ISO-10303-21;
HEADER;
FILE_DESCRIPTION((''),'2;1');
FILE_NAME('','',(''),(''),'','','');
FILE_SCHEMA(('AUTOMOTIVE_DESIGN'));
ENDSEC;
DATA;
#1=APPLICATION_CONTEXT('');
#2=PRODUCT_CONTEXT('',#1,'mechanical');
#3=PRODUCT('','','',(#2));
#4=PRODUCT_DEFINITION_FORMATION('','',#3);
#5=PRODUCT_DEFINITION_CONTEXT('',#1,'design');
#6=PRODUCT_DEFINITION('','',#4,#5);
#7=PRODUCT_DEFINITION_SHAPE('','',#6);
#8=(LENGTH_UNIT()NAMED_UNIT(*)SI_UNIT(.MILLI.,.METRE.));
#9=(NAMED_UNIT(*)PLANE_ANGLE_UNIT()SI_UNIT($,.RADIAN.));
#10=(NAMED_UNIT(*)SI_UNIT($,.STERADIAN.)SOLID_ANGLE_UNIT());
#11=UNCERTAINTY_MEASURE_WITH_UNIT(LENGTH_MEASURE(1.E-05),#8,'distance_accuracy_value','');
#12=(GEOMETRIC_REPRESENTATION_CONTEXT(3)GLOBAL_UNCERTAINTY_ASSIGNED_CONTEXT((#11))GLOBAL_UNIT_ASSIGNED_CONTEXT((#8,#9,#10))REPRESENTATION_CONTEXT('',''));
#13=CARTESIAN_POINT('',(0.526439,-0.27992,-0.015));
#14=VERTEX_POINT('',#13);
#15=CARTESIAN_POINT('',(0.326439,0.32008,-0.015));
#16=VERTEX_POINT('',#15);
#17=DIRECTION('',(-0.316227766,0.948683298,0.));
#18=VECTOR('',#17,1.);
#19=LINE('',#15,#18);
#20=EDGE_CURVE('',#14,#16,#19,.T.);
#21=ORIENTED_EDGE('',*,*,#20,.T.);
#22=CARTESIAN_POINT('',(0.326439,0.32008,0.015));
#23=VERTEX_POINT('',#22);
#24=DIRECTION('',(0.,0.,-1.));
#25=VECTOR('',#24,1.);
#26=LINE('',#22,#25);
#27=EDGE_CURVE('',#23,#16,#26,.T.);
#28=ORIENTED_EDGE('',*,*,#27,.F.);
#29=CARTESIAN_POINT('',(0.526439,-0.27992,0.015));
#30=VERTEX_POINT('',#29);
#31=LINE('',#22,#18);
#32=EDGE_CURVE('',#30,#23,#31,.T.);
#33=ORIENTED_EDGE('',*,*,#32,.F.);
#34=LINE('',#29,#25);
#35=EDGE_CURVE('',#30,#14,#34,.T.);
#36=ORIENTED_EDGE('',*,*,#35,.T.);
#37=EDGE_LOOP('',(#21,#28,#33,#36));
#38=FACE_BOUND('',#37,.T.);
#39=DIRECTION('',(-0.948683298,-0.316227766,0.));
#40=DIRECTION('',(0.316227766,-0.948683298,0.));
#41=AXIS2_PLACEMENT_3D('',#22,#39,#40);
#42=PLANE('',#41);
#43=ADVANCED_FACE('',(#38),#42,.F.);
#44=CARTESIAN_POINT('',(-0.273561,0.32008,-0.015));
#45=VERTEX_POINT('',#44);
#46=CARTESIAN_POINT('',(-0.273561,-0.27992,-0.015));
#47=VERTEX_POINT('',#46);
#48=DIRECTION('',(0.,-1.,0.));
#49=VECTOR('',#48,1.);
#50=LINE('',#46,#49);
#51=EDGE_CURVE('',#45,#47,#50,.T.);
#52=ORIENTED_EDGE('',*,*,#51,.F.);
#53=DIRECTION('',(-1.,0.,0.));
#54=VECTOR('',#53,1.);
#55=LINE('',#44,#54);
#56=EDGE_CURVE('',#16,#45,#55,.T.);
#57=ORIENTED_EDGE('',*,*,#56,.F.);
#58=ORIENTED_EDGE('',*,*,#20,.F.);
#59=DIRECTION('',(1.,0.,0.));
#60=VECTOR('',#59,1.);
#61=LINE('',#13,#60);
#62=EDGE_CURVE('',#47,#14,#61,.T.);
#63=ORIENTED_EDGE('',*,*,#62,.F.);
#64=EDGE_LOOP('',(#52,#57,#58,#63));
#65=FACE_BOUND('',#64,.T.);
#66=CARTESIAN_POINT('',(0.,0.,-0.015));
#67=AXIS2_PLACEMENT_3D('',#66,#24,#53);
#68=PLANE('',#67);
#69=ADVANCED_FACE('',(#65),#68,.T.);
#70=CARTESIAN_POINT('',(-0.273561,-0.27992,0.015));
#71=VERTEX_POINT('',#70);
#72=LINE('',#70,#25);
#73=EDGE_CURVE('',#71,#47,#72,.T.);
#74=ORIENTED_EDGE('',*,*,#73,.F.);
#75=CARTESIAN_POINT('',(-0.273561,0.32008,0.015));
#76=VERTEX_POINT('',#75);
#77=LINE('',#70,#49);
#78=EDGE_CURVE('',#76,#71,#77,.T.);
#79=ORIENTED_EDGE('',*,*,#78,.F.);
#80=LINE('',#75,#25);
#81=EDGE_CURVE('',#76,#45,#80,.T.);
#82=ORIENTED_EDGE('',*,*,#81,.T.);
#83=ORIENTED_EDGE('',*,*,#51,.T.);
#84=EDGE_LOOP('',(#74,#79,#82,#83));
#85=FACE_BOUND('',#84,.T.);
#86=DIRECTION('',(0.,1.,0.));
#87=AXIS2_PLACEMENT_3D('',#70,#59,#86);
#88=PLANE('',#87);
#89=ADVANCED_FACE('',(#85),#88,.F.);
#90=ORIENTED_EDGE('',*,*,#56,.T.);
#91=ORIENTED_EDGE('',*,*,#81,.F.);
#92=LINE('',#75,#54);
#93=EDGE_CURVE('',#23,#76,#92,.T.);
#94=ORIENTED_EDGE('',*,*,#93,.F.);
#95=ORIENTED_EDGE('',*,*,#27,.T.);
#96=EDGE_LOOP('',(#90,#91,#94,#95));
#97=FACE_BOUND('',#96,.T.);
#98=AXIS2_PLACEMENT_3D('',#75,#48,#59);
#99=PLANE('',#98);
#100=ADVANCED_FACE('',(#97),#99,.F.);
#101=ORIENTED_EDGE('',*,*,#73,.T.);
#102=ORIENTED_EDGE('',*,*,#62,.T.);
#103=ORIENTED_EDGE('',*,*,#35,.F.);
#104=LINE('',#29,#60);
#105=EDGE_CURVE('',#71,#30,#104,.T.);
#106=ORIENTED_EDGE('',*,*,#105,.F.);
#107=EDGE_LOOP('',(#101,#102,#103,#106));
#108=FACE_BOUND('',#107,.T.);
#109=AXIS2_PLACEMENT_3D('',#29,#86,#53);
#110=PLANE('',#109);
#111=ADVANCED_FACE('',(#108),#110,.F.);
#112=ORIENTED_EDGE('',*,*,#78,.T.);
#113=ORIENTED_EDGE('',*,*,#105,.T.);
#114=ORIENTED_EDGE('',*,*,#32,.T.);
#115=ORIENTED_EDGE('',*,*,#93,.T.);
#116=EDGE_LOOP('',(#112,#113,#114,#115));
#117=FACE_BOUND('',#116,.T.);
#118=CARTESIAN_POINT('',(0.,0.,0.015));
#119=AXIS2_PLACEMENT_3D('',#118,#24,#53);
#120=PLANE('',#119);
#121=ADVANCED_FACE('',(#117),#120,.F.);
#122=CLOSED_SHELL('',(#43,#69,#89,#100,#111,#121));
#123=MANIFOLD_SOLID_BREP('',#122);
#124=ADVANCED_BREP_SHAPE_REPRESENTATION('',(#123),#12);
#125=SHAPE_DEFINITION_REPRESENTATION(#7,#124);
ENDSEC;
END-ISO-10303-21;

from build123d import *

# Parameters (mm, degrees)
BOSS_EXTRUDE3_DEPTH = 0.015


with BuildPart() as part:
    # Sketch1 → Boss-Extrude3 (new, symmetric)
    with BuildSketch(Plane.XY):
        Polygon((-0.273561122, -0.279919601), (-0.273561122, 0.320080399), (0.326438878, 0.320080399), (0.526438878, -0.279919601), align=None)
    extrude(amount=BOSS_EXTRUDE3_DEPTH, both=True)


solid = part.part
